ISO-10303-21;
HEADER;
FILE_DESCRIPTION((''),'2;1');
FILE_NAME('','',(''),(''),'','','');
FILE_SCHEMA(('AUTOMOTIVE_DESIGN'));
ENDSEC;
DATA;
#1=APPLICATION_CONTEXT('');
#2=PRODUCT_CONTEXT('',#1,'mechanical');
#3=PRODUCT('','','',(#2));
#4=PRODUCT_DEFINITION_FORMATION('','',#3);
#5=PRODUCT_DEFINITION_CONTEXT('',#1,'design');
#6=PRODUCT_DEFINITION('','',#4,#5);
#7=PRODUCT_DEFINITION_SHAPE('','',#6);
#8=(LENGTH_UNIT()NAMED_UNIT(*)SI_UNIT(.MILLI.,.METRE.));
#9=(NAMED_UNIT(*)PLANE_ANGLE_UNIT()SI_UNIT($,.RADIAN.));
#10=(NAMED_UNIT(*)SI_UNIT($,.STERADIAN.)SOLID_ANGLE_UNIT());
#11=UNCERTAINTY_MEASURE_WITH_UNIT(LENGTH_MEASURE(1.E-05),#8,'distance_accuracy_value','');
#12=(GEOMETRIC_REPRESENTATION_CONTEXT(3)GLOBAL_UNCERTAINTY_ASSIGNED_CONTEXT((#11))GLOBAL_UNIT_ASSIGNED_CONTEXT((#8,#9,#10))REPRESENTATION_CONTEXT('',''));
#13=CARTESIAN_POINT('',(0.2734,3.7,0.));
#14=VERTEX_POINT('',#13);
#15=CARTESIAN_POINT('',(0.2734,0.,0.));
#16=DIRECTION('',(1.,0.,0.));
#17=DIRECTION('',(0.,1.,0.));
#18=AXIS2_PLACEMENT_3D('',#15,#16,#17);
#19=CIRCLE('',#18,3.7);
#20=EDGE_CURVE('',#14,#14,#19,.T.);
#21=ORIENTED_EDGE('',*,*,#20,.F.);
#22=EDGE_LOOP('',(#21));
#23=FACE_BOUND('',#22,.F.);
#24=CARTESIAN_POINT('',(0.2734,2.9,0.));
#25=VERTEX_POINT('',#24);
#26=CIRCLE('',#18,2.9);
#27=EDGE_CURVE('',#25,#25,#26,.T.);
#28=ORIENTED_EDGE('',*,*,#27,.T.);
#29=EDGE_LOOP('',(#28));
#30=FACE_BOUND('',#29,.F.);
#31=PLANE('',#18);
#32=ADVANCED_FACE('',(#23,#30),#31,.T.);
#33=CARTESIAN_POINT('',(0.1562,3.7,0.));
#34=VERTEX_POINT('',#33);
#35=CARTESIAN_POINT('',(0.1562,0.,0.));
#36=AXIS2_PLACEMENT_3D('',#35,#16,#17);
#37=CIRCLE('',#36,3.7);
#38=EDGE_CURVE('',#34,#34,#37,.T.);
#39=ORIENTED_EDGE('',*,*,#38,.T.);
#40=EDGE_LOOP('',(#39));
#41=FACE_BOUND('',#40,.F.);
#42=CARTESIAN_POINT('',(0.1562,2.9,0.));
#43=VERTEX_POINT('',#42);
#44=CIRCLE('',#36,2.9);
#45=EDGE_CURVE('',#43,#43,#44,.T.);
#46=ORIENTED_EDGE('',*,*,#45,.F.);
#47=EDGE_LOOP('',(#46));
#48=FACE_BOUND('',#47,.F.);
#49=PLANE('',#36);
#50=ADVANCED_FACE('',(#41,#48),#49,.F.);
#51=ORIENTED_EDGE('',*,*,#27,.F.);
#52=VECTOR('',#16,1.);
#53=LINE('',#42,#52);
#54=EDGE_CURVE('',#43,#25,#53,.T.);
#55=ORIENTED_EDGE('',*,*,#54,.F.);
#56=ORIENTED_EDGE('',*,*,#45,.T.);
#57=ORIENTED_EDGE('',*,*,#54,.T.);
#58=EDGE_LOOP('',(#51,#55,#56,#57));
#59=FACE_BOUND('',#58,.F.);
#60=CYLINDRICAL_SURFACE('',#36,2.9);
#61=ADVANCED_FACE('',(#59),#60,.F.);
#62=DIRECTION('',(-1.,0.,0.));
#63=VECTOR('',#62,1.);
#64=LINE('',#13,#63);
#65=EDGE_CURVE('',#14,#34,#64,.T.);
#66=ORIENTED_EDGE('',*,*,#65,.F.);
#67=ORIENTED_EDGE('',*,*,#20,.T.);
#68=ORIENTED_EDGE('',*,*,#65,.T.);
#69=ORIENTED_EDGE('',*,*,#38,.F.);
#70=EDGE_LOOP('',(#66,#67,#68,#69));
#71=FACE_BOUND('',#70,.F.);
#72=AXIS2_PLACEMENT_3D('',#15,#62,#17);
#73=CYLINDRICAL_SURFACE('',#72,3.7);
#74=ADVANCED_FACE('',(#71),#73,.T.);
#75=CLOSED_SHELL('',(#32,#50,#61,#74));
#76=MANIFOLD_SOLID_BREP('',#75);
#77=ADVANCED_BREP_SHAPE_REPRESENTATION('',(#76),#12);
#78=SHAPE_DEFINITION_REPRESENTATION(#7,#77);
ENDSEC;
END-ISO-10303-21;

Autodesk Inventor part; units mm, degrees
sketch "Sketch_1" plane through (0, 0, 0) normal (0, 0, 1) x (1, 0, 0)
  line L0 (0.2734, 0) -> (0.1562, 0)
  line L1 (0.1562, 2.9) -> (0.2734, 2.9)
  line L2 (0.2734, 2.9) -> (0.2734, 3.7)
  line L3 (0.2734, 3.7) -> (0.1562, 3.7)
  line L4 (0.1562, 3.7) -> (0.1562, 2.9)
revolve "Revolution1" add sketch "Sketch_1" angle 360 about axis through (0.2734, 0, 0) along (1, 0, 0)
ref_plane "ip_st_1_XY" through (0.1562, 0, 0) normal (-1, 0, 0) x (0, 0, -1)
ref_plane "ip_st_1_YZ" through (0.1562, 0, 0) normal (0, 0, -1) x (0, -1, 0)
ref_plane "ip_st_1_ZX" through (0.1562, 0, 0) normal (0, -1, 0) x (-1, 0, 0)
properties part number "MF85ZZ Shield1" material "ステンレス鋼 440C"
